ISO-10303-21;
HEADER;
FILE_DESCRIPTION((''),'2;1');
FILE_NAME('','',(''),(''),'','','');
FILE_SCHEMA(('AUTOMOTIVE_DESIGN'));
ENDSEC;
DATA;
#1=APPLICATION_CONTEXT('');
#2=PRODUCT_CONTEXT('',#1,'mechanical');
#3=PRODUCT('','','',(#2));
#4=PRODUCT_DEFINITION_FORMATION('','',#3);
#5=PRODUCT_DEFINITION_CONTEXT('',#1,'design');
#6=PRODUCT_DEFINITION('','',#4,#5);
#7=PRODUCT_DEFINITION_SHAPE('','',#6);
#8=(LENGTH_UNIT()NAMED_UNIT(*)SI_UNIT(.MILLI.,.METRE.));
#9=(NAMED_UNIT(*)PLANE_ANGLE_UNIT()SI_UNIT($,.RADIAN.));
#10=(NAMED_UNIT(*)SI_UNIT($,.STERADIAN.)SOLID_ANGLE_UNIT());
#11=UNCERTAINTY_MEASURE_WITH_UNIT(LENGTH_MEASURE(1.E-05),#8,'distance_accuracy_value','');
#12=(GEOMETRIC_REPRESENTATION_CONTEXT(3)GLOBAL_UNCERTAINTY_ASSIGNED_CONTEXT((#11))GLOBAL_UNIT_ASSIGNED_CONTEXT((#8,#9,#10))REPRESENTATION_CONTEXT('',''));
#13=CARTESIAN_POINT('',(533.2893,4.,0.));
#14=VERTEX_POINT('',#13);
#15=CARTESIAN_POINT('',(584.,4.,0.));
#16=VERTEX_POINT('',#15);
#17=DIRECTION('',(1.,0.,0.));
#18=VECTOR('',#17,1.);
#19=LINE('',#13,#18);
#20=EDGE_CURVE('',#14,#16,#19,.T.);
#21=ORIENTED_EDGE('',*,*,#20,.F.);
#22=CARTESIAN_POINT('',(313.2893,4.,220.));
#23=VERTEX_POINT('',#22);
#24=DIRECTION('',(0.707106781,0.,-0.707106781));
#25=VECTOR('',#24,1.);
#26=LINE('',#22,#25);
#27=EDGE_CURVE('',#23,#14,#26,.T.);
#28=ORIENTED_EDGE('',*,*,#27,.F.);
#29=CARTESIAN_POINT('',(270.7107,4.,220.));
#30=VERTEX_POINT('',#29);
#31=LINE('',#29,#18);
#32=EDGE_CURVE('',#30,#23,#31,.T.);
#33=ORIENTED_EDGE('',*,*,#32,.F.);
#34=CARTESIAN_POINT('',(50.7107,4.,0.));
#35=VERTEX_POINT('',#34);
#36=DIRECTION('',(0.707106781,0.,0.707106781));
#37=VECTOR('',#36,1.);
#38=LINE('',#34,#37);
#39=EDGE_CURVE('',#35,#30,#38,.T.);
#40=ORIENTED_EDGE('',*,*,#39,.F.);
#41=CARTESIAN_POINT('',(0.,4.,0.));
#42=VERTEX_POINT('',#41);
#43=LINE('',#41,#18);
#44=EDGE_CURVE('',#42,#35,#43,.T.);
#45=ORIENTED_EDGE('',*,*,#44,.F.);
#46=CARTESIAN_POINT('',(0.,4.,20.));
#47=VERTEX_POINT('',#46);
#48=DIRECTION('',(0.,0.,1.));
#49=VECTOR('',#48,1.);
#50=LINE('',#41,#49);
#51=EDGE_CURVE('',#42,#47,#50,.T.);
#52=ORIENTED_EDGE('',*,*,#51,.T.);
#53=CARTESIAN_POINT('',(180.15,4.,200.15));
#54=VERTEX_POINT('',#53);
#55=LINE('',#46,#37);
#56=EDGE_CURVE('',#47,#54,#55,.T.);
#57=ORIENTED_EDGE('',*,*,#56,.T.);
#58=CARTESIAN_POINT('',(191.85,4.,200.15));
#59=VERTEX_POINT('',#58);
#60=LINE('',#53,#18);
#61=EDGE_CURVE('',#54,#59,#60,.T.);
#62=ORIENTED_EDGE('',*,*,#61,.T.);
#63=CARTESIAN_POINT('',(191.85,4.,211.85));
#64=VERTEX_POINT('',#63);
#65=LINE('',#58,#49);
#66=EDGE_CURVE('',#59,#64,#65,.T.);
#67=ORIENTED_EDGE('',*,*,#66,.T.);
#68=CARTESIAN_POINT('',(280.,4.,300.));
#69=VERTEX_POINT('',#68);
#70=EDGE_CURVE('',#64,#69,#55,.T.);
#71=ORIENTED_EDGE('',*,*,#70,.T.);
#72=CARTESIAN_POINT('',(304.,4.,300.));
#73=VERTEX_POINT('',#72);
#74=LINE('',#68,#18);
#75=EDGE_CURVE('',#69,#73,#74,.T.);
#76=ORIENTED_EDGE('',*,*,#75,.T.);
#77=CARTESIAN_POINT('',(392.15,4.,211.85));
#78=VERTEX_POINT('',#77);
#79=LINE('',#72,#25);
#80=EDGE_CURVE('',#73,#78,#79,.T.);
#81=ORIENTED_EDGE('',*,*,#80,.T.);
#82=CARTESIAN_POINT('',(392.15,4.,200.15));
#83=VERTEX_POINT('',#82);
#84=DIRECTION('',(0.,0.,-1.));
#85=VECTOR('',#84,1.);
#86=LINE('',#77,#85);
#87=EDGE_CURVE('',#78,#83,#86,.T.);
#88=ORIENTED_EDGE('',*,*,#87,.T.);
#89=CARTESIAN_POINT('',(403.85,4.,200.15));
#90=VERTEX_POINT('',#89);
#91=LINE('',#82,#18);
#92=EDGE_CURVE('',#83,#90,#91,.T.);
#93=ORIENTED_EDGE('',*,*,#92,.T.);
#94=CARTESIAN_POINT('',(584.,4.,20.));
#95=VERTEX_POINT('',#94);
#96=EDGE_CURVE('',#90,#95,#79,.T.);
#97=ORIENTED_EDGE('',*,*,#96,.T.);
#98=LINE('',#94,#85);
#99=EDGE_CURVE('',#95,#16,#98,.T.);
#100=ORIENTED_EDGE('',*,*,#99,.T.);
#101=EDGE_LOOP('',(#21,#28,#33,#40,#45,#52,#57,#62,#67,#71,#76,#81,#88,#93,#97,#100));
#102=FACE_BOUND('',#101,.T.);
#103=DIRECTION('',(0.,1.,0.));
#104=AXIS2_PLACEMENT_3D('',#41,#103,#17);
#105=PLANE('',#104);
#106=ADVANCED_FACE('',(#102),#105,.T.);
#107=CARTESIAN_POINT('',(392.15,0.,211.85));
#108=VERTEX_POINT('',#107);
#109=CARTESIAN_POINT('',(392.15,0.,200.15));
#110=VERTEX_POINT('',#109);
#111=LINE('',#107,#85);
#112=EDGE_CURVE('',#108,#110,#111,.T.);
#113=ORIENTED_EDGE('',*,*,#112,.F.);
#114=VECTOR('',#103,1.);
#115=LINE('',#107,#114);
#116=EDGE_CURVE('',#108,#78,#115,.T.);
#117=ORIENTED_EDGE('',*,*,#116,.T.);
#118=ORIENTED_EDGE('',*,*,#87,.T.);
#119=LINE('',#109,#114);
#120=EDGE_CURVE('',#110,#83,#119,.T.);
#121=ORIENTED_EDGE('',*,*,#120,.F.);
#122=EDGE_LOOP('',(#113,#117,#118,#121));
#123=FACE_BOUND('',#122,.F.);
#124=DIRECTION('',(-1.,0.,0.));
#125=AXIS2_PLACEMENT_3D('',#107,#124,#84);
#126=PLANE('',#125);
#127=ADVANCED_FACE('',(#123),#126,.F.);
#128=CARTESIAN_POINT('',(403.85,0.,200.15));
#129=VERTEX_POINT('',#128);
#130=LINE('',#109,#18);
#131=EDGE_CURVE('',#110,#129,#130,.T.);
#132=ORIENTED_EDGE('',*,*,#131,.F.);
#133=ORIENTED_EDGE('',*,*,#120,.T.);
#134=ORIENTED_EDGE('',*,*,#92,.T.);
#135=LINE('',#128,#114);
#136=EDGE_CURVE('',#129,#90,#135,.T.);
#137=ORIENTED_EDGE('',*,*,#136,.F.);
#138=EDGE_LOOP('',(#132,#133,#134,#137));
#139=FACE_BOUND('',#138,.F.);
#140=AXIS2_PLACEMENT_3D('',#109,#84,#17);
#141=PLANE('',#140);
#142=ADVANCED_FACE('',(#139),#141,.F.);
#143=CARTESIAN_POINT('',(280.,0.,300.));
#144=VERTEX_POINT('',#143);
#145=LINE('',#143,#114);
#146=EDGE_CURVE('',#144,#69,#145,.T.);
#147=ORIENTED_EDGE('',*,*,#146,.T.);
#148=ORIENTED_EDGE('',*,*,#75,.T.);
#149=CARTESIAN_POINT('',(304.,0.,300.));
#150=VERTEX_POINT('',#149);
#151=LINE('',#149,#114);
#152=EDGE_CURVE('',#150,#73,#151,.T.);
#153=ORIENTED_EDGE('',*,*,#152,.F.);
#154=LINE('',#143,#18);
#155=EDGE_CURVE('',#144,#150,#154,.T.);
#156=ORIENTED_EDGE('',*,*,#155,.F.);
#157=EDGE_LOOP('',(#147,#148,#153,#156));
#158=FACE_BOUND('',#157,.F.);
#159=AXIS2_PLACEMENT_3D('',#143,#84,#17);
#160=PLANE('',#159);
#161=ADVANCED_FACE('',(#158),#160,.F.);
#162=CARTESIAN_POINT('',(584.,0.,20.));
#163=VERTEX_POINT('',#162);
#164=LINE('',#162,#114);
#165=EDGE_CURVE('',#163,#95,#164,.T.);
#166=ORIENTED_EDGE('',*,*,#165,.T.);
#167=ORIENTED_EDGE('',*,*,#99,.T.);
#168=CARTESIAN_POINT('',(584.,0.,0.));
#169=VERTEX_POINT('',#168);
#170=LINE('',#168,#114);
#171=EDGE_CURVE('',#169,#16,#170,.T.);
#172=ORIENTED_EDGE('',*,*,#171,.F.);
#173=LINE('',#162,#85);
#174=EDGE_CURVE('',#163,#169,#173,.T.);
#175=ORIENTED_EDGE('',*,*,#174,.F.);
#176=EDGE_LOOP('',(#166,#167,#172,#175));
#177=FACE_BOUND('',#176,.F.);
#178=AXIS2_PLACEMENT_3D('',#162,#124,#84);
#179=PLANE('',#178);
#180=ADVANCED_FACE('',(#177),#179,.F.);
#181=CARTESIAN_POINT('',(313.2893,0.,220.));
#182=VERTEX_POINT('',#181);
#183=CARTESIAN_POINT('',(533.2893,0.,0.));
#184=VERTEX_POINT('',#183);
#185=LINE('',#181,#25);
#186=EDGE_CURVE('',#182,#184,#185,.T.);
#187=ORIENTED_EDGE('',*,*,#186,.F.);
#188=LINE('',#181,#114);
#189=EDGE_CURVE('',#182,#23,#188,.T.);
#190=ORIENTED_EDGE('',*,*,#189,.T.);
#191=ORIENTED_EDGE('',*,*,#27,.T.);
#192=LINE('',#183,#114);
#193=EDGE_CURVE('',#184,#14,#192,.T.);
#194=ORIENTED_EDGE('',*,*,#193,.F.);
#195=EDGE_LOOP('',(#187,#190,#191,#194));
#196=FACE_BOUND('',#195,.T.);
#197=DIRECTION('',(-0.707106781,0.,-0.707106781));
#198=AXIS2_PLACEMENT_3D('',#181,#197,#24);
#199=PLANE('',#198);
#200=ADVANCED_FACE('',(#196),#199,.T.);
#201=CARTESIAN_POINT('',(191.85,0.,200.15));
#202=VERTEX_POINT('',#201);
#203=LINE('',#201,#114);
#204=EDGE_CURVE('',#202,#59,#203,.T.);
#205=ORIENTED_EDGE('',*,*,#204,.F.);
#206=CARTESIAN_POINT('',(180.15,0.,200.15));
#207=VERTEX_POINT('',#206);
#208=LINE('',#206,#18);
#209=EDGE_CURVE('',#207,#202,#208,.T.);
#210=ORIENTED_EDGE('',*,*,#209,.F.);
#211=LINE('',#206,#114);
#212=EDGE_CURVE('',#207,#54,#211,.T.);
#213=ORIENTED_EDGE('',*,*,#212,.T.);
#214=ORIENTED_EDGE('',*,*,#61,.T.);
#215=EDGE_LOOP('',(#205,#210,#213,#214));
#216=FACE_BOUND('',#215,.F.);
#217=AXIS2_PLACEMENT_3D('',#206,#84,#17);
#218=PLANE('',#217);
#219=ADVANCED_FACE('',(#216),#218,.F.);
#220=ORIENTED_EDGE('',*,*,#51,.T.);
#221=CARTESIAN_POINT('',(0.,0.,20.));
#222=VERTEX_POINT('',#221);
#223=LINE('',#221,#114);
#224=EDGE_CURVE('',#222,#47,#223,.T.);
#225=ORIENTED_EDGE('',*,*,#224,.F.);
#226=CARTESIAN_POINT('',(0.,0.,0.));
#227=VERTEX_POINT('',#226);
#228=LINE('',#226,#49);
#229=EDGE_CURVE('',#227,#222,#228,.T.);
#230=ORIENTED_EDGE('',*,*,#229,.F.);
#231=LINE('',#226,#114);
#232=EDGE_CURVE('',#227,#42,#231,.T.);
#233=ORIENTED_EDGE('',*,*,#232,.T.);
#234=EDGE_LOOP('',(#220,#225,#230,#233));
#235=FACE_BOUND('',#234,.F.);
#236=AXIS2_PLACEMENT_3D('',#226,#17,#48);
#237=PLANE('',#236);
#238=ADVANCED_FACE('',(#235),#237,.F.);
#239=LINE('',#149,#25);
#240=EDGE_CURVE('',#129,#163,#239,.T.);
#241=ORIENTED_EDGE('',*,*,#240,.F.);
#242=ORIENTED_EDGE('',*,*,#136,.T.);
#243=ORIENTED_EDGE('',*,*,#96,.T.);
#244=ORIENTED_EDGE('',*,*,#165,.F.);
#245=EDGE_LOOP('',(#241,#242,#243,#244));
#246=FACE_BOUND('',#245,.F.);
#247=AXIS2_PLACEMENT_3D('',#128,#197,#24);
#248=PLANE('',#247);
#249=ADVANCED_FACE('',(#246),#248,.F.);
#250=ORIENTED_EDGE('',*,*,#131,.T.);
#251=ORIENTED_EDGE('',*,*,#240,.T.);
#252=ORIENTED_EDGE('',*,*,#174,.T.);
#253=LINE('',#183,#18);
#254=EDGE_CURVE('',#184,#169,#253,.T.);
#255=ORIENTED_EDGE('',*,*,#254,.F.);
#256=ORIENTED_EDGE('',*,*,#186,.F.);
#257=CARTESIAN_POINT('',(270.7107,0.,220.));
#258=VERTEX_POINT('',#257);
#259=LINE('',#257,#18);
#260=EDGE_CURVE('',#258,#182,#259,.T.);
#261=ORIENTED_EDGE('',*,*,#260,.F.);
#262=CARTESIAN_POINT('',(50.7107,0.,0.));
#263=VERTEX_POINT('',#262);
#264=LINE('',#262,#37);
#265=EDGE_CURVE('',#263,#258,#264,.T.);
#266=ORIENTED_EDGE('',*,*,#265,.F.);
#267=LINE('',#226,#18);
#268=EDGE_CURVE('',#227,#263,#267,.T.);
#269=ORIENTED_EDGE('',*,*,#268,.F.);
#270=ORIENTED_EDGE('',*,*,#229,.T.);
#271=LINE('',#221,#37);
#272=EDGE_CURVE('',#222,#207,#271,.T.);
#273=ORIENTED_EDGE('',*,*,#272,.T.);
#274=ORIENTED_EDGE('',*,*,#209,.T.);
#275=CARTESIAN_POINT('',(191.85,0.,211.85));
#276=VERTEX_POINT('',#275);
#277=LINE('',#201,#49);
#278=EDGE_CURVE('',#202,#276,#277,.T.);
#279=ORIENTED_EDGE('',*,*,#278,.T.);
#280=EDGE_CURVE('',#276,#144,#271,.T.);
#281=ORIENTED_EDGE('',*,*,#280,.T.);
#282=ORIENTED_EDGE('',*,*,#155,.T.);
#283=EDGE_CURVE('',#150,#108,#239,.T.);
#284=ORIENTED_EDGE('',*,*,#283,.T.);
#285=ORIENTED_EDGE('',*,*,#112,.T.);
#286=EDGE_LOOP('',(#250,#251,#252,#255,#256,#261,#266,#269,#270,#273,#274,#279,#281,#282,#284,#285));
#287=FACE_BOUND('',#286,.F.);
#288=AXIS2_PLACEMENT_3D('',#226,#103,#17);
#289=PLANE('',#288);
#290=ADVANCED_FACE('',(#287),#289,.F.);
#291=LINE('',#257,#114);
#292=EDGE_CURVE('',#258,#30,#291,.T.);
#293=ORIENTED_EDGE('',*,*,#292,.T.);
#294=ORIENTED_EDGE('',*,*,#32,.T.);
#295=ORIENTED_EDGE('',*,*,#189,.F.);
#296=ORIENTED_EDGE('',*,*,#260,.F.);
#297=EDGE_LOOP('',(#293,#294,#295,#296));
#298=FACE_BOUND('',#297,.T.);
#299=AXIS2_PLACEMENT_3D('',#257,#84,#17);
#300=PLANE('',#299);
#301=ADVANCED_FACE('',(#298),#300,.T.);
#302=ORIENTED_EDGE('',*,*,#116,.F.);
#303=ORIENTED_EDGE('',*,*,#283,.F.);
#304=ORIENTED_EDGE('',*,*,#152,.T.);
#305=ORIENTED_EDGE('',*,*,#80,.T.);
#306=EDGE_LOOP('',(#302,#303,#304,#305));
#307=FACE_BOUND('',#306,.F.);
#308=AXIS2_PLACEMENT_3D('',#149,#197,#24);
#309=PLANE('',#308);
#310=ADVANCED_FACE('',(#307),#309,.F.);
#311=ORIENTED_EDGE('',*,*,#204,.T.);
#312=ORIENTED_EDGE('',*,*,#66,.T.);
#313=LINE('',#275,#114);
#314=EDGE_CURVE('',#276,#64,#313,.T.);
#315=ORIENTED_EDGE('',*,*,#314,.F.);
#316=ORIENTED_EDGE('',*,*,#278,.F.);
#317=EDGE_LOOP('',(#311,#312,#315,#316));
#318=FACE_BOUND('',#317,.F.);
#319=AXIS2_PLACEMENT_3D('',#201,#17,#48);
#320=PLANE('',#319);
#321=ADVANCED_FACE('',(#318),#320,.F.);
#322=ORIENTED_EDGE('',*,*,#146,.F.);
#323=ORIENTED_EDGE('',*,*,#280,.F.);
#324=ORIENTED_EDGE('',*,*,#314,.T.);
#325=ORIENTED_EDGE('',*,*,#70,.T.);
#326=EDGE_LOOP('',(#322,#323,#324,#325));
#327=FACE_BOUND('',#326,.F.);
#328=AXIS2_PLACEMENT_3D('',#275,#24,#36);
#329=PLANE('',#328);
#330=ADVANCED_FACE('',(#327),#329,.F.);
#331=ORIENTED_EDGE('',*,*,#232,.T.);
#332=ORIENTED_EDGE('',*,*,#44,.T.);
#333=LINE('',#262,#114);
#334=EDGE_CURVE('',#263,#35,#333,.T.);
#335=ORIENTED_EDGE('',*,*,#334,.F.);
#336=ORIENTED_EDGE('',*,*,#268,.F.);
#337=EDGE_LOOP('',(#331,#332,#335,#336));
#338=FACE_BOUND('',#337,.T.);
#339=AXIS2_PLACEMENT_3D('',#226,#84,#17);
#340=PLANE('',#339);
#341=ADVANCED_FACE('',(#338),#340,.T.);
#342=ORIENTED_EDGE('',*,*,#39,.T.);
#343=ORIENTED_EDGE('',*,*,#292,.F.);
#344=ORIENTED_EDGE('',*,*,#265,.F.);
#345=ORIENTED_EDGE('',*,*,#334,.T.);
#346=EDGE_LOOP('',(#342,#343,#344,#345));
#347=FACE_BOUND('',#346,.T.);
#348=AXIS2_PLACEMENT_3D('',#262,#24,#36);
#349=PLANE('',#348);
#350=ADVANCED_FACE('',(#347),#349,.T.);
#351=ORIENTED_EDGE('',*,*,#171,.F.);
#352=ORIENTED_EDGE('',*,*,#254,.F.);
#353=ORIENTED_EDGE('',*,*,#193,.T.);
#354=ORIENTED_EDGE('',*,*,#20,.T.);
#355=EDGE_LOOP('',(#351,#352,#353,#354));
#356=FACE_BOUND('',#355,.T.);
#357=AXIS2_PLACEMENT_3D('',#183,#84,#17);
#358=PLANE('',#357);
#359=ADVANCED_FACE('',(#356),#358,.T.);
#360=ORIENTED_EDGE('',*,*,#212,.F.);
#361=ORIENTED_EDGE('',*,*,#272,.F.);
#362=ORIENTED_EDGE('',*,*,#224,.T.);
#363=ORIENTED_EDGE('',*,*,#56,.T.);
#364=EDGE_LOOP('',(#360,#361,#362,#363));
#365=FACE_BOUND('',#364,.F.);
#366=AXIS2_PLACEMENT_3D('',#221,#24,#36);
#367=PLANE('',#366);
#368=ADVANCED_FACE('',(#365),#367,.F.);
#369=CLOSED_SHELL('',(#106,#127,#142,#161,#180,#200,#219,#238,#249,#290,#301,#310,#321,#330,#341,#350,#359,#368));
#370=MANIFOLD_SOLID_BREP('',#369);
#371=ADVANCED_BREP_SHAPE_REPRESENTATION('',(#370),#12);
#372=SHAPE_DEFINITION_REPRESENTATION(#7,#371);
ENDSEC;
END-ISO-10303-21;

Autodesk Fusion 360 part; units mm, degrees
sketch "Schizzo1" plane through (0, 0, 0) normal (0, 1, 0) x (1, 0, 0)
  line L0 (584, 0) -> (0, 0) construction
  line L1 (0, 0) -> (0, -20)
  line L2 (0, -20) -> (280, -300)
  line L3 (280, -300) -> (304, -300)
  line L4 (304, -300) -> (584, -20)
  line L5 (584, -20) -> (584, 0)
  line L6 (50.7107, 0) -> (270.7107, -220)
  line L7 (270.7107, -220) -> (313.2893, -220)
  line L8 (313.2893, -220) -> (533.2893, 0)
  line L9 (0, 0) -> (50.7107, 0)
  line L10 (533.2893, 0) -> (584, 0)
  line L11 (392.15, -211.85) -> (392.15, -200.15)
  line L12 (392.15, -200.15) -> (403.85, -200.15)
  line L13 (180.15, -200.15) -> (191.85, -200.15)
  line L14 (191.85, -200.15) -> (191.85, -211.85)
  line L15 (191.85, -200.15) -> (392.15, -200.15) construction
  dimension "d2" = 45
  dimension "d3" = 45
  dimension "d4" = 20
  dimension "d6" = 20
  dimension "d7" = 584
  dimension "d8" = 50
  dimension "d9" = 50
  dimension "d10" = 80
  dimension "d15" = 300
  dimension "d18" = 200.15
  dimension "d19" = 200.3
  dimension "d20" = 11.7
extrude "Estrusione1" add sketch "Schizzo1" along normal blind 4 contours L1 L2 L3 L4 L5 L6 L7 L8 L9 L10 L11 L12 L13 L14
component "Component" placed x (1, 0, 0) y (0, 1, 0) z (0, 0, 1) at (0, 0, 0)
equation "d11 = h"
equation "h = 4 mm"
equation "t = 0.15 mm"
equation "d18 = 200 mm + t"
equation "d19 = 200 mm + 2 * t"
